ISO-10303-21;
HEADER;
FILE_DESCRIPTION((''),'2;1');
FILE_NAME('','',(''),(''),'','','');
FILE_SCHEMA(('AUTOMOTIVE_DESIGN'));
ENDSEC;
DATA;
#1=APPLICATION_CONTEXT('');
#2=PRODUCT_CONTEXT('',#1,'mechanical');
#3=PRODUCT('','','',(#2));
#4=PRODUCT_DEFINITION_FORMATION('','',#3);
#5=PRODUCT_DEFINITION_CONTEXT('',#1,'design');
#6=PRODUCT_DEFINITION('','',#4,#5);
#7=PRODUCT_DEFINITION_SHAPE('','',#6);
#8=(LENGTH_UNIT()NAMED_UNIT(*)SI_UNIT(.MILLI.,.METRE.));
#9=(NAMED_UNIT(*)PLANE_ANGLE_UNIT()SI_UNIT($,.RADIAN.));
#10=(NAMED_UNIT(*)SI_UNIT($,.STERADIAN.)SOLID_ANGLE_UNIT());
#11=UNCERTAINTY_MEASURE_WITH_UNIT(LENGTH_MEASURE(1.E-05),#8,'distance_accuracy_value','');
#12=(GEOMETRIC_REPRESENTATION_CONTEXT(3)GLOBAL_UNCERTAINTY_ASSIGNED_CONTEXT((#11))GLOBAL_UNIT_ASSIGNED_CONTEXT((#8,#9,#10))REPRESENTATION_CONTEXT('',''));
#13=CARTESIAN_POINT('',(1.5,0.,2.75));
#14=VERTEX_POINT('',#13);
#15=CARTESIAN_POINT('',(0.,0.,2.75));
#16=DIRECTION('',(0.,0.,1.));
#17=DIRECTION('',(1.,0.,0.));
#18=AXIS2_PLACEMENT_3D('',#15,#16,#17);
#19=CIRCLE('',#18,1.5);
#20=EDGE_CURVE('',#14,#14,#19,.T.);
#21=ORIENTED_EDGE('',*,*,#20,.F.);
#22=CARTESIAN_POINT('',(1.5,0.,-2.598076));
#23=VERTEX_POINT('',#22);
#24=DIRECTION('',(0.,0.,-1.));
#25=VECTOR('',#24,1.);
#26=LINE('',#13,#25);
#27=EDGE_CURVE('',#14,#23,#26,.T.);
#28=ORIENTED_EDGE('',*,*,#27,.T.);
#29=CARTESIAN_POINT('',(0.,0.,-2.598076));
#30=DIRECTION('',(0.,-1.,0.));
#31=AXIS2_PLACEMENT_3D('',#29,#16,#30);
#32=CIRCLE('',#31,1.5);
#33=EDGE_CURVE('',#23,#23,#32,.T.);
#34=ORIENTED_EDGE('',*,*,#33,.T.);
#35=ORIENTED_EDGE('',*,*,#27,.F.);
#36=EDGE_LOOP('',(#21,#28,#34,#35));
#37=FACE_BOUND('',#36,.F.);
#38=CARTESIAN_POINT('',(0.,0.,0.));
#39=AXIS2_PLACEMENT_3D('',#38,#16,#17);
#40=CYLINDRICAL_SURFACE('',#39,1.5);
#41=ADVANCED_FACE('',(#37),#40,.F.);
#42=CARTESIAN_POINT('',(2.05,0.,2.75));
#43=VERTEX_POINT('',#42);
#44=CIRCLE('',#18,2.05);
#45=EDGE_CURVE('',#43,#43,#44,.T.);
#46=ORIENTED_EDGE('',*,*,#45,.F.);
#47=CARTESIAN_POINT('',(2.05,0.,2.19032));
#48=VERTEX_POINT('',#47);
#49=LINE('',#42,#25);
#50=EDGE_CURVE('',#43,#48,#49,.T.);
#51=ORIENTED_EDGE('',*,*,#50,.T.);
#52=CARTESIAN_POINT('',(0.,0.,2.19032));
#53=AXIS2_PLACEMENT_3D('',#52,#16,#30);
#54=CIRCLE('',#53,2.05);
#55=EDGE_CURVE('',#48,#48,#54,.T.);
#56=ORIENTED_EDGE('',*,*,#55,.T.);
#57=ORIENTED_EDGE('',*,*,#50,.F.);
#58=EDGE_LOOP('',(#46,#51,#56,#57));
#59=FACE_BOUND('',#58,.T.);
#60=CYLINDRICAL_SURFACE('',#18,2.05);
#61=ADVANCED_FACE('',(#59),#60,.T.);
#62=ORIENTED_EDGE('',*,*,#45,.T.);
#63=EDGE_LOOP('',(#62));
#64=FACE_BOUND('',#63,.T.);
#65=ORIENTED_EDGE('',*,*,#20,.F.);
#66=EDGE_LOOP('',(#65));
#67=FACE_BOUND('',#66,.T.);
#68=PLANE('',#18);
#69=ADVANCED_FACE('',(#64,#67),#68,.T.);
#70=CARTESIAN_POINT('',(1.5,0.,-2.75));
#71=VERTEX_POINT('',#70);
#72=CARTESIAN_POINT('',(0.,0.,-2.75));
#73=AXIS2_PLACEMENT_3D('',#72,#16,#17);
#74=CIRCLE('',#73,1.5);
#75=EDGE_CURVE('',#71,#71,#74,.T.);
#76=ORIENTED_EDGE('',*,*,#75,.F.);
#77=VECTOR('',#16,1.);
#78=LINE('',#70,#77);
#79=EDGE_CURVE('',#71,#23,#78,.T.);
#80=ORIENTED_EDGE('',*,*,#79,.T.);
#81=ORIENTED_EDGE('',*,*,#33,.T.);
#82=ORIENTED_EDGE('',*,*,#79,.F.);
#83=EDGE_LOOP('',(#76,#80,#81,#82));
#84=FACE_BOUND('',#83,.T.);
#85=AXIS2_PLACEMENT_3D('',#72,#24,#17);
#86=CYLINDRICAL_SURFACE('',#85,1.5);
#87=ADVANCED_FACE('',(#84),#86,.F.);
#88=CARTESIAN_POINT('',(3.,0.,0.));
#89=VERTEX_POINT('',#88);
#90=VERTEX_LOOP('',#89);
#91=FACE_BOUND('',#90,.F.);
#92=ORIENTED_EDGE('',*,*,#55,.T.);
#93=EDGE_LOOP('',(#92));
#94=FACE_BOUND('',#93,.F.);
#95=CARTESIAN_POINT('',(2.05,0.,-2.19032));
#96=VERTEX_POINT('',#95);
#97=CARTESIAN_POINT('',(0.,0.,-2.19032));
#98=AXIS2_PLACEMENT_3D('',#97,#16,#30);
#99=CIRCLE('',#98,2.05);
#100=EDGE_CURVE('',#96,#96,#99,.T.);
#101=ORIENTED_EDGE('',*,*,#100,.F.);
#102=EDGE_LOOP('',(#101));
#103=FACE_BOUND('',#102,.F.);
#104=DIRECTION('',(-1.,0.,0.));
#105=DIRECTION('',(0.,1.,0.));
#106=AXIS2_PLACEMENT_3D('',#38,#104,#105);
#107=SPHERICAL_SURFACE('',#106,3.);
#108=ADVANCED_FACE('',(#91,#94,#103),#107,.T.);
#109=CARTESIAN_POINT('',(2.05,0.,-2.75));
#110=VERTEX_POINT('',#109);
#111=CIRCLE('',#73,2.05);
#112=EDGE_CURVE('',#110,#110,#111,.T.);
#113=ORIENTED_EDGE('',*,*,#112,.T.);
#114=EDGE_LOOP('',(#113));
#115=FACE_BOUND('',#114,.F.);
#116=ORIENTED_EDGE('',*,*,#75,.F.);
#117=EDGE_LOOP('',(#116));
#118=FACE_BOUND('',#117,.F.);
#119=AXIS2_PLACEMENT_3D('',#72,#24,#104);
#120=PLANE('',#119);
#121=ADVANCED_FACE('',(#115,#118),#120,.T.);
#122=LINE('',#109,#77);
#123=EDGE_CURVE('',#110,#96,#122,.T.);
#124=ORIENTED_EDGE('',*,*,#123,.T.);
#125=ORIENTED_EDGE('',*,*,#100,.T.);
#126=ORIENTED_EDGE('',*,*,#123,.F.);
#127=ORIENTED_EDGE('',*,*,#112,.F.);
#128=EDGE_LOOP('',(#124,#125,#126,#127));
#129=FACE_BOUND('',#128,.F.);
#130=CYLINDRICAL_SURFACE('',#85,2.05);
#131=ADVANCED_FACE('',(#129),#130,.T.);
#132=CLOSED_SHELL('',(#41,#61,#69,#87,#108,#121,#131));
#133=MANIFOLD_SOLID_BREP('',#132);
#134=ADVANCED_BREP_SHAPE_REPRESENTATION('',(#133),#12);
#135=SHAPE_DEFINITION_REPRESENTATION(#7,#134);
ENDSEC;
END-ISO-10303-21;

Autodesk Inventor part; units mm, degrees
ref_plane "YZ Plane" through (0, 0, 0) normal (1, 0, 0) x (0, 1, 0)
ref_plane "XZ Plane" through (0, 0, 0) normal (0, 1, 0) x (-1, 0, 0)
sketch "Sketch2" plane through (0, 0, 0) normal (0, 0, 1) x (1, 0, 0)
  line L0 (-4.2, 0) -> (4.2, 0) construction
  line L1 (0, -4.2) -> (0, 4.2) construction
  circle A0 centre (0, 0) radius 3
  line L2 (-3, 0) -> (3, 0)
  dimension "d0" = 6
revolve "Revolution1" add sketch "Sketch2" angle 360 about axis through (-10, 0, 0) along (1, 0, 0) picked at (0.7485, 0.6631) contours L2 A0
sketch "Sketch3" plane through (0, 0, 0) normal (0, 0, 1) x (1, 0, 0)
  circle A0 centre (0, 0) radius 1.5
  dimension "d2" = 3
extrude "Extrusion1" cut sketch "Sketch3" along normal through all both and the other way through all
ref_plane "Work Plane1" through (0, 0, 2.75) normal (0, 0, 1) x (1, 0, 0)
sketch "Sketch4" plane through (0, 0, 2.75) normal (0, 0, 1) x (1, 0, 0)
  circle A0 centre (0, 0) radius 1.5 construction
  circle A1 centre (0, 0) radius 1.5
  circle A2 centre (0, 0) radius 2.05
  dimension "d6" = 4.1
extrude "Extrusion2" add sketch "Sketch4" against normal up to surface
mirror "Mirror1" about plane through (0, 0, 0) normal (0, 0, 1) of "Extrusion2"
properties part number "Boule_tete_verin" material "Copper, Alloy"
